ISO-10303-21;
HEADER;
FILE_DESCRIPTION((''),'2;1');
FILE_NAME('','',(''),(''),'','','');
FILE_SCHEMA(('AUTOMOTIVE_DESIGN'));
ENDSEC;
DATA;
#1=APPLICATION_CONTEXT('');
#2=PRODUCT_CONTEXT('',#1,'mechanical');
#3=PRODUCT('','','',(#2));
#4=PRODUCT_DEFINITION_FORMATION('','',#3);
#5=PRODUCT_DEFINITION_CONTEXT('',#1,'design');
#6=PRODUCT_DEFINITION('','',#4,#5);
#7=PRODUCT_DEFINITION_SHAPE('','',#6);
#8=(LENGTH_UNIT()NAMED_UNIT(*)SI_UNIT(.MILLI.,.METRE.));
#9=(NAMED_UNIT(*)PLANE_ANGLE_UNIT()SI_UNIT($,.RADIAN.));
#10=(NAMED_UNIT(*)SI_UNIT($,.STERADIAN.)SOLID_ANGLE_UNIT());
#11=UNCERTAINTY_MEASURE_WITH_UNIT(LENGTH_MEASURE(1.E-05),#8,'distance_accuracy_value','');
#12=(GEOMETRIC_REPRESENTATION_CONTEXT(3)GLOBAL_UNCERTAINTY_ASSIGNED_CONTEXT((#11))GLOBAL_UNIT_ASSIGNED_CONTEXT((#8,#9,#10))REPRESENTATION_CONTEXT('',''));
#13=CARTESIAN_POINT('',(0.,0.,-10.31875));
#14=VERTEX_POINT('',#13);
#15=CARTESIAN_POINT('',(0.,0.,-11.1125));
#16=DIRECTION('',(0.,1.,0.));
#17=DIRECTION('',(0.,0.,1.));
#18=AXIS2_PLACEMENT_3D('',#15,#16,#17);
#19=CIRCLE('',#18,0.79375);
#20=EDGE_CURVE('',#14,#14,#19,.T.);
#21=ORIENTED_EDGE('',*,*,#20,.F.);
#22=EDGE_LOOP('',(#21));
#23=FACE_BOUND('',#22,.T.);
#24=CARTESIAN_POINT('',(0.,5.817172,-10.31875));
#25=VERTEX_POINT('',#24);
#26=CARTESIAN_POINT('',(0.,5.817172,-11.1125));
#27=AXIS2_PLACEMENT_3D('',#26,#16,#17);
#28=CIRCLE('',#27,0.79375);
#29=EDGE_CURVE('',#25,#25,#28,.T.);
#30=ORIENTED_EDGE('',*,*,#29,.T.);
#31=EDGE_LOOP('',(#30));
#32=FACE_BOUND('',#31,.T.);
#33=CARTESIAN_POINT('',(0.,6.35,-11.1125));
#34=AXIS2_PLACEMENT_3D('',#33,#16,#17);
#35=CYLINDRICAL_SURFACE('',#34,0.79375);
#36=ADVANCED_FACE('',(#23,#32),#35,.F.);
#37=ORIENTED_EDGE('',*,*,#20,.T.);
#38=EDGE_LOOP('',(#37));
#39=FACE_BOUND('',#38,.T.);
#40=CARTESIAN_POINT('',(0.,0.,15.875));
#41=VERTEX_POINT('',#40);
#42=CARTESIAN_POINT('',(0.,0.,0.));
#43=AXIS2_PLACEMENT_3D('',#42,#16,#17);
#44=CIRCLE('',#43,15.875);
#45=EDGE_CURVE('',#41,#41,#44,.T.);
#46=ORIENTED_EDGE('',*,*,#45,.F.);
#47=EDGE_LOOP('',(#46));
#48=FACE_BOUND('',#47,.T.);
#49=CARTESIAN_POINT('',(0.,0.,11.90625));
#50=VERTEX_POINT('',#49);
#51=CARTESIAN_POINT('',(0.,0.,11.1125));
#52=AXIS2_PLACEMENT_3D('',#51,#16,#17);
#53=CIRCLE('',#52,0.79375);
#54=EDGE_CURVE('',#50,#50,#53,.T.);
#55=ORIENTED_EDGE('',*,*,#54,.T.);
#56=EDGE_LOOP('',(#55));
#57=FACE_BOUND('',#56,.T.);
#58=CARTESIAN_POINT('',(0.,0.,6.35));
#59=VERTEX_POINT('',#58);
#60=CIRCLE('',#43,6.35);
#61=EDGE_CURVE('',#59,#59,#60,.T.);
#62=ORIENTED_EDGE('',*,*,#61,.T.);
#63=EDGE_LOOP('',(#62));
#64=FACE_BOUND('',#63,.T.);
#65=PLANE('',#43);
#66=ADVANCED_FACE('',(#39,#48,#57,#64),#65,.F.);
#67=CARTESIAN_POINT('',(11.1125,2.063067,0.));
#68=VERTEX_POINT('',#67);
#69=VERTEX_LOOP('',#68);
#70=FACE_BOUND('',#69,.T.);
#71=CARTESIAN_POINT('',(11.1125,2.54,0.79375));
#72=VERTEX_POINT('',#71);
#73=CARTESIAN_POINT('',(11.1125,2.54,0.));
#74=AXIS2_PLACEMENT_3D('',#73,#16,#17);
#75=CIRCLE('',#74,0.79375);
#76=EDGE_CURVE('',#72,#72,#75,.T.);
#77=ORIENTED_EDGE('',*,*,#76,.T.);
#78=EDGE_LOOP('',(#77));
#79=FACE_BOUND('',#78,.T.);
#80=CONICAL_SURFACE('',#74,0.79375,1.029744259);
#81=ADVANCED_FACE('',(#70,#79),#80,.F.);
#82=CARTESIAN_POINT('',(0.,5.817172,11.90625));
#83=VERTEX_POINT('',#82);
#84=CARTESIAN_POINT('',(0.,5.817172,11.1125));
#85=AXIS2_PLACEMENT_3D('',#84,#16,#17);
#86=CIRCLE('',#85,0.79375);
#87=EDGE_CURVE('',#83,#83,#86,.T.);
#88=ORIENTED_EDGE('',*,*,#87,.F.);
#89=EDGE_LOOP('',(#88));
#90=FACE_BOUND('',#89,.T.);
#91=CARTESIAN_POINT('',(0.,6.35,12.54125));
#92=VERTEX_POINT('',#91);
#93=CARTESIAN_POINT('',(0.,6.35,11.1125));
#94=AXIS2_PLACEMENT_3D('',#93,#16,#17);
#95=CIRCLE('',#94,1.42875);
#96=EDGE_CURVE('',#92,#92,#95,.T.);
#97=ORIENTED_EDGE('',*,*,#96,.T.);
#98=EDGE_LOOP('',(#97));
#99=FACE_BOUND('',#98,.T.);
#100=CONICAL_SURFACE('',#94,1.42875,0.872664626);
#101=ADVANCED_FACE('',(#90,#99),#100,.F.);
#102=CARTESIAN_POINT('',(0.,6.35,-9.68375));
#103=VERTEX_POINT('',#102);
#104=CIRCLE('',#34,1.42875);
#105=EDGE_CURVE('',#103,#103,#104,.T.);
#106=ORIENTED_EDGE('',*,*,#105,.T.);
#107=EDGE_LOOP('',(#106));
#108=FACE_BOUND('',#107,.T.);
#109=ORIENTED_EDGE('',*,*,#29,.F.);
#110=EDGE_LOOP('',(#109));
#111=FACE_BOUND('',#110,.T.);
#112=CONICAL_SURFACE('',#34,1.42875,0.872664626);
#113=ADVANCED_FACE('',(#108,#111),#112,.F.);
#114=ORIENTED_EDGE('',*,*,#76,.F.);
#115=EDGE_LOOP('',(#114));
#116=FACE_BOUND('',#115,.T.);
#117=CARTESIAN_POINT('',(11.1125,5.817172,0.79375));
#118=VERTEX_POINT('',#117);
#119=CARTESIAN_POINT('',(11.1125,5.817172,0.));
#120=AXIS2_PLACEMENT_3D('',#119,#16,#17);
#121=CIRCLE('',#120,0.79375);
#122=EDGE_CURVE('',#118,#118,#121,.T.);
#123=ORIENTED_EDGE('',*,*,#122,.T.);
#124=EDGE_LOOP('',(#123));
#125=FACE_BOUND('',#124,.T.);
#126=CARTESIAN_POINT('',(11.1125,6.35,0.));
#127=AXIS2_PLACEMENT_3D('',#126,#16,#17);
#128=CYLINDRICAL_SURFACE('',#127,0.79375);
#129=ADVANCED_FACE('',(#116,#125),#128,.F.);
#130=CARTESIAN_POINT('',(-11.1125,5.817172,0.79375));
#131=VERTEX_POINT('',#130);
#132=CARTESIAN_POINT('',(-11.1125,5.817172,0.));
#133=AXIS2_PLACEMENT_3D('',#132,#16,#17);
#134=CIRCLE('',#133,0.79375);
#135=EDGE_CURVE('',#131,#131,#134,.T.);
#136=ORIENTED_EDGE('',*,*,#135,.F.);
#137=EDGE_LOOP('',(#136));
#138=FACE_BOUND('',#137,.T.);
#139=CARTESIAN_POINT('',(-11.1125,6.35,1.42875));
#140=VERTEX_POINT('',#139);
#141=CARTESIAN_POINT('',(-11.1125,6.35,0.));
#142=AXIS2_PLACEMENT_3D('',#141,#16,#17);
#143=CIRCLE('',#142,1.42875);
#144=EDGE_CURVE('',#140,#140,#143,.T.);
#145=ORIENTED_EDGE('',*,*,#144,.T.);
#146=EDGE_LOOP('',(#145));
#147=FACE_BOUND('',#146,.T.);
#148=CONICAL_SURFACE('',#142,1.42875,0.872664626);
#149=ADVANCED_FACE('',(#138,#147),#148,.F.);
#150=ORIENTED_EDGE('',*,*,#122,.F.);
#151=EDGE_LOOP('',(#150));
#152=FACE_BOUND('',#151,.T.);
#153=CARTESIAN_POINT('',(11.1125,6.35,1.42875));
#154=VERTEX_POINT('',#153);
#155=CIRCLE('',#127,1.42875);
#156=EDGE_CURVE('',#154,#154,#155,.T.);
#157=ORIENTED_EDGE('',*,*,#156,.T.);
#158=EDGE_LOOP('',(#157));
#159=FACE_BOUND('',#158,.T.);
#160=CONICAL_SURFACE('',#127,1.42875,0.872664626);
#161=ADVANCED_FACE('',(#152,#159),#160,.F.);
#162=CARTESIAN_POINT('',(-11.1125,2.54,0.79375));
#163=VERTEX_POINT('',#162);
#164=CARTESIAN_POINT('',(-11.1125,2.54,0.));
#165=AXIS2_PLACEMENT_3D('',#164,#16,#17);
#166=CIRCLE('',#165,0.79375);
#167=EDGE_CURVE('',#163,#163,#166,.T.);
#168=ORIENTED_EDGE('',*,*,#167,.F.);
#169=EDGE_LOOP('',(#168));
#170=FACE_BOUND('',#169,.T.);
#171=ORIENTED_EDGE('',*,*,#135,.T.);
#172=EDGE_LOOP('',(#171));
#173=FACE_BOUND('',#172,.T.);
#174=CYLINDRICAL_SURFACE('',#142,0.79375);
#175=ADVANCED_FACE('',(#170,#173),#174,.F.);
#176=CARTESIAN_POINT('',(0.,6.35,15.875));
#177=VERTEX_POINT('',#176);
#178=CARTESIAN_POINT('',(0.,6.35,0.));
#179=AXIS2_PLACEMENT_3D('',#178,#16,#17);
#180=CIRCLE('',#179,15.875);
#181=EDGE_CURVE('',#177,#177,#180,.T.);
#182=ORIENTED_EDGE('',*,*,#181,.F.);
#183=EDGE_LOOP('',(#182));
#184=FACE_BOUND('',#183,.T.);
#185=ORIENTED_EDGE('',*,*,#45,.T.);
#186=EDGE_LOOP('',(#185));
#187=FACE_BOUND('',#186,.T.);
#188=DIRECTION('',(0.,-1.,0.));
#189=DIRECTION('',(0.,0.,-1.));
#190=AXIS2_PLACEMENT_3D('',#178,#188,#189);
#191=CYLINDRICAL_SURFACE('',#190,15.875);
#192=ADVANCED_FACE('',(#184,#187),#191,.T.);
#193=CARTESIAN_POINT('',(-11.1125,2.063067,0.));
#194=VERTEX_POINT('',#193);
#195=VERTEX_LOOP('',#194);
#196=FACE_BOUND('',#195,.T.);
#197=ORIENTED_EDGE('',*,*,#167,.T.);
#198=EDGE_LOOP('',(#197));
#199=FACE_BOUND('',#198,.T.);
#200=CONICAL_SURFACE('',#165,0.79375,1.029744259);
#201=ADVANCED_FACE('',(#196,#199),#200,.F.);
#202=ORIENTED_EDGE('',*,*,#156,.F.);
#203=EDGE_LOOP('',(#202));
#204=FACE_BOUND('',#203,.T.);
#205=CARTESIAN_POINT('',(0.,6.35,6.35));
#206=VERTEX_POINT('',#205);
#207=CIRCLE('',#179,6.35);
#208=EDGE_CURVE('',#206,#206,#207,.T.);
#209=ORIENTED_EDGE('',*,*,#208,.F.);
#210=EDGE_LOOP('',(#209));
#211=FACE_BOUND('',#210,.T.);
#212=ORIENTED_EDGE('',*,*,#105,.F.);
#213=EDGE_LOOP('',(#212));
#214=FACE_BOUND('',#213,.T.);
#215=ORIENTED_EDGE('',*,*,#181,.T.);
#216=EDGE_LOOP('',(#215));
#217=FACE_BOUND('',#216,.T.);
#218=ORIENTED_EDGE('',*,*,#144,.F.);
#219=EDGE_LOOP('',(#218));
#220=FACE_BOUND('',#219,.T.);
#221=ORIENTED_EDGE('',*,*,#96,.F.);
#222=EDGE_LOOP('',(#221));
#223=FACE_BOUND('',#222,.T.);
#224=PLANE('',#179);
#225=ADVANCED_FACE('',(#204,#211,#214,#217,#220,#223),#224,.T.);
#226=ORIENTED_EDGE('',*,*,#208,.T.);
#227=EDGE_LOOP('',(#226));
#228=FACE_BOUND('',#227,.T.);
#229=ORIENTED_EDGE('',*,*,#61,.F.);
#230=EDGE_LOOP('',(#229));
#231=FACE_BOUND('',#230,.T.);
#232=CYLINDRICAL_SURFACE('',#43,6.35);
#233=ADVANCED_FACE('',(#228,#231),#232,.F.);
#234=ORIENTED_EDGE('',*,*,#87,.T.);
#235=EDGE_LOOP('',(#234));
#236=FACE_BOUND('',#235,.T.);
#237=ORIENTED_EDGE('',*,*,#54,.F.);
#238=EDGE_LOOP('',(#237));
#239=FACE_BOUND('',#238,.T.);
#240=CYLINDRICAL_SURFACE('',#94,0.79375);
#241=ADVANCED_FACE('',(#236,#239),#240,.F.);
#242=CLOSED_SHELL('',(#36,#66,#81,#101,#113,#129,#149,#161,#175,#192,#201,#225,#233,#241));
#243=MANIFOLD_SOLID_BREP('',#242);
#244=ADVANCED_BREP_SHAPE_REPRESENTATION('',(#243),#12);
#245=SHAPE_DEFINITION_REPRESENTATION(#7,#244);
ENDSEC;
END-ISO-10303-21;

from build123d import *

# Parameters (mm, degrees)
SKETCH1_R                                = 15.875
BOSS_EXTRUDE1_DEPTH                      = 6.35
SKETCH2_R                                = 6.35
CUT_EXTRUDE1_DEPTH                       = 24.3313898
F_1_16_0_0625_DIAMETER_HOLE1_D           = 1.5875
F_1_16_0_0625_DIAMETER_HOLE1_CSINK_D     = 2.8575
F_1_16_0_0625_DIAMETER_HOLE1_CSINK_ANGLE = 100
CIRPATTERN1_COUNT                        = 2
CIRPATTERN2_COUNT                        = 2


with BuildPart() as part:
    # Sketch1 → Boss-Extrude1 (new body)
    with BuildSketch(Plane(origin=(0, 0, 0), x_dir=(1, 0, 0), z_dir=(0, 1, 0))):
        with Locations(Location((0, 0, 0), (0, 0, 270))):
            Circle(SKETCH1_R)
    extrude(amount=BOSS_EXTRUDE1_DEPTH)

    # Sketch2 → Cut-Extrude1 (cut, through all)
    with BuildSketch(Plane(origin=(0, 6.35, 0), x_dir=(1, 0, 0), z_dir=(0, 1, 0))):
        with Locations(Location((0, 0, 0), (0, 0, 270))):
            Circle(SKETCH2_R)
    extrude(amount=-CUT_EXTRUDE1_DEPTH, mode=Mode.SUBTRACT)

    # 1/16 (0.0625) Diameter Hole1 (through all)
    with Locations(Plane(origin=(0, 6.35, 0), x_dir=(1, 0, 0), z_dir=(0, 1, 0))):
        with Locations((0, 11.1125)):
            f_1_16_0_0625_diameter_hole1 = CounterSinkHole(F_1_16_0_0625_DIAMETER_HOLE1_D / 2, F_1_16_0_0625_DIAMETER_HOLE1_CSINK_D / 2, counter_sink_angle=F_1_16_0_0625_DIAMETER_HOLE1_CSINK_ANGLE)

    # CirPattern1: 1/16 (0.0625) Diameter Hole1 ×2 about axis
    cirpattern1_axis = Axis((0, 0, 0), (0, 1, 0))
    for i in range(1, CIRPATTERN1_COUNT):
        add(f_1_16_0_0625_diameter_hole1.rotate(cirpattern1_axis, i * 360 / CIRPATTERN1_COUNT), mode=Mode.SUBTRACT)

    # Sketch10 → 1/16 (0.0625) Diameter Hole2 (revolve, cut)
    with BuildSketch(Plane(origin=(11.1125, 6.35, 0), x_dir=(0, 0, 1), z_dir=(1, 0, 0))):
        Polygon((0, 0), (0, 4.286933116), (0.79375, 3.81), (0.79375, 0.532828266), (1.42875, 0), align=None)
    f_1_16_0_0625_diameter_hole2 = revolve(axis=Axis((11.1125, 12.7, 0), (0, -1, 0)), mode=Mode.SUBTRACT)

    # CirPattern2: 1/16 (0.0625) Diameter Hole2 ×2 about axis
    cirpattern2_axis = Axis((0, 0, 0), (0, 1, 0))
    for i in range(1, CIRPATTERN2_COUNT):
        add(f_1_16_0_0625_diameter_hole2.rotate(cirpattern2_axis, i * 360 / CIRPATTERN2_COUNT), mode=Mode.SUBTRACT)


solid = part.part
